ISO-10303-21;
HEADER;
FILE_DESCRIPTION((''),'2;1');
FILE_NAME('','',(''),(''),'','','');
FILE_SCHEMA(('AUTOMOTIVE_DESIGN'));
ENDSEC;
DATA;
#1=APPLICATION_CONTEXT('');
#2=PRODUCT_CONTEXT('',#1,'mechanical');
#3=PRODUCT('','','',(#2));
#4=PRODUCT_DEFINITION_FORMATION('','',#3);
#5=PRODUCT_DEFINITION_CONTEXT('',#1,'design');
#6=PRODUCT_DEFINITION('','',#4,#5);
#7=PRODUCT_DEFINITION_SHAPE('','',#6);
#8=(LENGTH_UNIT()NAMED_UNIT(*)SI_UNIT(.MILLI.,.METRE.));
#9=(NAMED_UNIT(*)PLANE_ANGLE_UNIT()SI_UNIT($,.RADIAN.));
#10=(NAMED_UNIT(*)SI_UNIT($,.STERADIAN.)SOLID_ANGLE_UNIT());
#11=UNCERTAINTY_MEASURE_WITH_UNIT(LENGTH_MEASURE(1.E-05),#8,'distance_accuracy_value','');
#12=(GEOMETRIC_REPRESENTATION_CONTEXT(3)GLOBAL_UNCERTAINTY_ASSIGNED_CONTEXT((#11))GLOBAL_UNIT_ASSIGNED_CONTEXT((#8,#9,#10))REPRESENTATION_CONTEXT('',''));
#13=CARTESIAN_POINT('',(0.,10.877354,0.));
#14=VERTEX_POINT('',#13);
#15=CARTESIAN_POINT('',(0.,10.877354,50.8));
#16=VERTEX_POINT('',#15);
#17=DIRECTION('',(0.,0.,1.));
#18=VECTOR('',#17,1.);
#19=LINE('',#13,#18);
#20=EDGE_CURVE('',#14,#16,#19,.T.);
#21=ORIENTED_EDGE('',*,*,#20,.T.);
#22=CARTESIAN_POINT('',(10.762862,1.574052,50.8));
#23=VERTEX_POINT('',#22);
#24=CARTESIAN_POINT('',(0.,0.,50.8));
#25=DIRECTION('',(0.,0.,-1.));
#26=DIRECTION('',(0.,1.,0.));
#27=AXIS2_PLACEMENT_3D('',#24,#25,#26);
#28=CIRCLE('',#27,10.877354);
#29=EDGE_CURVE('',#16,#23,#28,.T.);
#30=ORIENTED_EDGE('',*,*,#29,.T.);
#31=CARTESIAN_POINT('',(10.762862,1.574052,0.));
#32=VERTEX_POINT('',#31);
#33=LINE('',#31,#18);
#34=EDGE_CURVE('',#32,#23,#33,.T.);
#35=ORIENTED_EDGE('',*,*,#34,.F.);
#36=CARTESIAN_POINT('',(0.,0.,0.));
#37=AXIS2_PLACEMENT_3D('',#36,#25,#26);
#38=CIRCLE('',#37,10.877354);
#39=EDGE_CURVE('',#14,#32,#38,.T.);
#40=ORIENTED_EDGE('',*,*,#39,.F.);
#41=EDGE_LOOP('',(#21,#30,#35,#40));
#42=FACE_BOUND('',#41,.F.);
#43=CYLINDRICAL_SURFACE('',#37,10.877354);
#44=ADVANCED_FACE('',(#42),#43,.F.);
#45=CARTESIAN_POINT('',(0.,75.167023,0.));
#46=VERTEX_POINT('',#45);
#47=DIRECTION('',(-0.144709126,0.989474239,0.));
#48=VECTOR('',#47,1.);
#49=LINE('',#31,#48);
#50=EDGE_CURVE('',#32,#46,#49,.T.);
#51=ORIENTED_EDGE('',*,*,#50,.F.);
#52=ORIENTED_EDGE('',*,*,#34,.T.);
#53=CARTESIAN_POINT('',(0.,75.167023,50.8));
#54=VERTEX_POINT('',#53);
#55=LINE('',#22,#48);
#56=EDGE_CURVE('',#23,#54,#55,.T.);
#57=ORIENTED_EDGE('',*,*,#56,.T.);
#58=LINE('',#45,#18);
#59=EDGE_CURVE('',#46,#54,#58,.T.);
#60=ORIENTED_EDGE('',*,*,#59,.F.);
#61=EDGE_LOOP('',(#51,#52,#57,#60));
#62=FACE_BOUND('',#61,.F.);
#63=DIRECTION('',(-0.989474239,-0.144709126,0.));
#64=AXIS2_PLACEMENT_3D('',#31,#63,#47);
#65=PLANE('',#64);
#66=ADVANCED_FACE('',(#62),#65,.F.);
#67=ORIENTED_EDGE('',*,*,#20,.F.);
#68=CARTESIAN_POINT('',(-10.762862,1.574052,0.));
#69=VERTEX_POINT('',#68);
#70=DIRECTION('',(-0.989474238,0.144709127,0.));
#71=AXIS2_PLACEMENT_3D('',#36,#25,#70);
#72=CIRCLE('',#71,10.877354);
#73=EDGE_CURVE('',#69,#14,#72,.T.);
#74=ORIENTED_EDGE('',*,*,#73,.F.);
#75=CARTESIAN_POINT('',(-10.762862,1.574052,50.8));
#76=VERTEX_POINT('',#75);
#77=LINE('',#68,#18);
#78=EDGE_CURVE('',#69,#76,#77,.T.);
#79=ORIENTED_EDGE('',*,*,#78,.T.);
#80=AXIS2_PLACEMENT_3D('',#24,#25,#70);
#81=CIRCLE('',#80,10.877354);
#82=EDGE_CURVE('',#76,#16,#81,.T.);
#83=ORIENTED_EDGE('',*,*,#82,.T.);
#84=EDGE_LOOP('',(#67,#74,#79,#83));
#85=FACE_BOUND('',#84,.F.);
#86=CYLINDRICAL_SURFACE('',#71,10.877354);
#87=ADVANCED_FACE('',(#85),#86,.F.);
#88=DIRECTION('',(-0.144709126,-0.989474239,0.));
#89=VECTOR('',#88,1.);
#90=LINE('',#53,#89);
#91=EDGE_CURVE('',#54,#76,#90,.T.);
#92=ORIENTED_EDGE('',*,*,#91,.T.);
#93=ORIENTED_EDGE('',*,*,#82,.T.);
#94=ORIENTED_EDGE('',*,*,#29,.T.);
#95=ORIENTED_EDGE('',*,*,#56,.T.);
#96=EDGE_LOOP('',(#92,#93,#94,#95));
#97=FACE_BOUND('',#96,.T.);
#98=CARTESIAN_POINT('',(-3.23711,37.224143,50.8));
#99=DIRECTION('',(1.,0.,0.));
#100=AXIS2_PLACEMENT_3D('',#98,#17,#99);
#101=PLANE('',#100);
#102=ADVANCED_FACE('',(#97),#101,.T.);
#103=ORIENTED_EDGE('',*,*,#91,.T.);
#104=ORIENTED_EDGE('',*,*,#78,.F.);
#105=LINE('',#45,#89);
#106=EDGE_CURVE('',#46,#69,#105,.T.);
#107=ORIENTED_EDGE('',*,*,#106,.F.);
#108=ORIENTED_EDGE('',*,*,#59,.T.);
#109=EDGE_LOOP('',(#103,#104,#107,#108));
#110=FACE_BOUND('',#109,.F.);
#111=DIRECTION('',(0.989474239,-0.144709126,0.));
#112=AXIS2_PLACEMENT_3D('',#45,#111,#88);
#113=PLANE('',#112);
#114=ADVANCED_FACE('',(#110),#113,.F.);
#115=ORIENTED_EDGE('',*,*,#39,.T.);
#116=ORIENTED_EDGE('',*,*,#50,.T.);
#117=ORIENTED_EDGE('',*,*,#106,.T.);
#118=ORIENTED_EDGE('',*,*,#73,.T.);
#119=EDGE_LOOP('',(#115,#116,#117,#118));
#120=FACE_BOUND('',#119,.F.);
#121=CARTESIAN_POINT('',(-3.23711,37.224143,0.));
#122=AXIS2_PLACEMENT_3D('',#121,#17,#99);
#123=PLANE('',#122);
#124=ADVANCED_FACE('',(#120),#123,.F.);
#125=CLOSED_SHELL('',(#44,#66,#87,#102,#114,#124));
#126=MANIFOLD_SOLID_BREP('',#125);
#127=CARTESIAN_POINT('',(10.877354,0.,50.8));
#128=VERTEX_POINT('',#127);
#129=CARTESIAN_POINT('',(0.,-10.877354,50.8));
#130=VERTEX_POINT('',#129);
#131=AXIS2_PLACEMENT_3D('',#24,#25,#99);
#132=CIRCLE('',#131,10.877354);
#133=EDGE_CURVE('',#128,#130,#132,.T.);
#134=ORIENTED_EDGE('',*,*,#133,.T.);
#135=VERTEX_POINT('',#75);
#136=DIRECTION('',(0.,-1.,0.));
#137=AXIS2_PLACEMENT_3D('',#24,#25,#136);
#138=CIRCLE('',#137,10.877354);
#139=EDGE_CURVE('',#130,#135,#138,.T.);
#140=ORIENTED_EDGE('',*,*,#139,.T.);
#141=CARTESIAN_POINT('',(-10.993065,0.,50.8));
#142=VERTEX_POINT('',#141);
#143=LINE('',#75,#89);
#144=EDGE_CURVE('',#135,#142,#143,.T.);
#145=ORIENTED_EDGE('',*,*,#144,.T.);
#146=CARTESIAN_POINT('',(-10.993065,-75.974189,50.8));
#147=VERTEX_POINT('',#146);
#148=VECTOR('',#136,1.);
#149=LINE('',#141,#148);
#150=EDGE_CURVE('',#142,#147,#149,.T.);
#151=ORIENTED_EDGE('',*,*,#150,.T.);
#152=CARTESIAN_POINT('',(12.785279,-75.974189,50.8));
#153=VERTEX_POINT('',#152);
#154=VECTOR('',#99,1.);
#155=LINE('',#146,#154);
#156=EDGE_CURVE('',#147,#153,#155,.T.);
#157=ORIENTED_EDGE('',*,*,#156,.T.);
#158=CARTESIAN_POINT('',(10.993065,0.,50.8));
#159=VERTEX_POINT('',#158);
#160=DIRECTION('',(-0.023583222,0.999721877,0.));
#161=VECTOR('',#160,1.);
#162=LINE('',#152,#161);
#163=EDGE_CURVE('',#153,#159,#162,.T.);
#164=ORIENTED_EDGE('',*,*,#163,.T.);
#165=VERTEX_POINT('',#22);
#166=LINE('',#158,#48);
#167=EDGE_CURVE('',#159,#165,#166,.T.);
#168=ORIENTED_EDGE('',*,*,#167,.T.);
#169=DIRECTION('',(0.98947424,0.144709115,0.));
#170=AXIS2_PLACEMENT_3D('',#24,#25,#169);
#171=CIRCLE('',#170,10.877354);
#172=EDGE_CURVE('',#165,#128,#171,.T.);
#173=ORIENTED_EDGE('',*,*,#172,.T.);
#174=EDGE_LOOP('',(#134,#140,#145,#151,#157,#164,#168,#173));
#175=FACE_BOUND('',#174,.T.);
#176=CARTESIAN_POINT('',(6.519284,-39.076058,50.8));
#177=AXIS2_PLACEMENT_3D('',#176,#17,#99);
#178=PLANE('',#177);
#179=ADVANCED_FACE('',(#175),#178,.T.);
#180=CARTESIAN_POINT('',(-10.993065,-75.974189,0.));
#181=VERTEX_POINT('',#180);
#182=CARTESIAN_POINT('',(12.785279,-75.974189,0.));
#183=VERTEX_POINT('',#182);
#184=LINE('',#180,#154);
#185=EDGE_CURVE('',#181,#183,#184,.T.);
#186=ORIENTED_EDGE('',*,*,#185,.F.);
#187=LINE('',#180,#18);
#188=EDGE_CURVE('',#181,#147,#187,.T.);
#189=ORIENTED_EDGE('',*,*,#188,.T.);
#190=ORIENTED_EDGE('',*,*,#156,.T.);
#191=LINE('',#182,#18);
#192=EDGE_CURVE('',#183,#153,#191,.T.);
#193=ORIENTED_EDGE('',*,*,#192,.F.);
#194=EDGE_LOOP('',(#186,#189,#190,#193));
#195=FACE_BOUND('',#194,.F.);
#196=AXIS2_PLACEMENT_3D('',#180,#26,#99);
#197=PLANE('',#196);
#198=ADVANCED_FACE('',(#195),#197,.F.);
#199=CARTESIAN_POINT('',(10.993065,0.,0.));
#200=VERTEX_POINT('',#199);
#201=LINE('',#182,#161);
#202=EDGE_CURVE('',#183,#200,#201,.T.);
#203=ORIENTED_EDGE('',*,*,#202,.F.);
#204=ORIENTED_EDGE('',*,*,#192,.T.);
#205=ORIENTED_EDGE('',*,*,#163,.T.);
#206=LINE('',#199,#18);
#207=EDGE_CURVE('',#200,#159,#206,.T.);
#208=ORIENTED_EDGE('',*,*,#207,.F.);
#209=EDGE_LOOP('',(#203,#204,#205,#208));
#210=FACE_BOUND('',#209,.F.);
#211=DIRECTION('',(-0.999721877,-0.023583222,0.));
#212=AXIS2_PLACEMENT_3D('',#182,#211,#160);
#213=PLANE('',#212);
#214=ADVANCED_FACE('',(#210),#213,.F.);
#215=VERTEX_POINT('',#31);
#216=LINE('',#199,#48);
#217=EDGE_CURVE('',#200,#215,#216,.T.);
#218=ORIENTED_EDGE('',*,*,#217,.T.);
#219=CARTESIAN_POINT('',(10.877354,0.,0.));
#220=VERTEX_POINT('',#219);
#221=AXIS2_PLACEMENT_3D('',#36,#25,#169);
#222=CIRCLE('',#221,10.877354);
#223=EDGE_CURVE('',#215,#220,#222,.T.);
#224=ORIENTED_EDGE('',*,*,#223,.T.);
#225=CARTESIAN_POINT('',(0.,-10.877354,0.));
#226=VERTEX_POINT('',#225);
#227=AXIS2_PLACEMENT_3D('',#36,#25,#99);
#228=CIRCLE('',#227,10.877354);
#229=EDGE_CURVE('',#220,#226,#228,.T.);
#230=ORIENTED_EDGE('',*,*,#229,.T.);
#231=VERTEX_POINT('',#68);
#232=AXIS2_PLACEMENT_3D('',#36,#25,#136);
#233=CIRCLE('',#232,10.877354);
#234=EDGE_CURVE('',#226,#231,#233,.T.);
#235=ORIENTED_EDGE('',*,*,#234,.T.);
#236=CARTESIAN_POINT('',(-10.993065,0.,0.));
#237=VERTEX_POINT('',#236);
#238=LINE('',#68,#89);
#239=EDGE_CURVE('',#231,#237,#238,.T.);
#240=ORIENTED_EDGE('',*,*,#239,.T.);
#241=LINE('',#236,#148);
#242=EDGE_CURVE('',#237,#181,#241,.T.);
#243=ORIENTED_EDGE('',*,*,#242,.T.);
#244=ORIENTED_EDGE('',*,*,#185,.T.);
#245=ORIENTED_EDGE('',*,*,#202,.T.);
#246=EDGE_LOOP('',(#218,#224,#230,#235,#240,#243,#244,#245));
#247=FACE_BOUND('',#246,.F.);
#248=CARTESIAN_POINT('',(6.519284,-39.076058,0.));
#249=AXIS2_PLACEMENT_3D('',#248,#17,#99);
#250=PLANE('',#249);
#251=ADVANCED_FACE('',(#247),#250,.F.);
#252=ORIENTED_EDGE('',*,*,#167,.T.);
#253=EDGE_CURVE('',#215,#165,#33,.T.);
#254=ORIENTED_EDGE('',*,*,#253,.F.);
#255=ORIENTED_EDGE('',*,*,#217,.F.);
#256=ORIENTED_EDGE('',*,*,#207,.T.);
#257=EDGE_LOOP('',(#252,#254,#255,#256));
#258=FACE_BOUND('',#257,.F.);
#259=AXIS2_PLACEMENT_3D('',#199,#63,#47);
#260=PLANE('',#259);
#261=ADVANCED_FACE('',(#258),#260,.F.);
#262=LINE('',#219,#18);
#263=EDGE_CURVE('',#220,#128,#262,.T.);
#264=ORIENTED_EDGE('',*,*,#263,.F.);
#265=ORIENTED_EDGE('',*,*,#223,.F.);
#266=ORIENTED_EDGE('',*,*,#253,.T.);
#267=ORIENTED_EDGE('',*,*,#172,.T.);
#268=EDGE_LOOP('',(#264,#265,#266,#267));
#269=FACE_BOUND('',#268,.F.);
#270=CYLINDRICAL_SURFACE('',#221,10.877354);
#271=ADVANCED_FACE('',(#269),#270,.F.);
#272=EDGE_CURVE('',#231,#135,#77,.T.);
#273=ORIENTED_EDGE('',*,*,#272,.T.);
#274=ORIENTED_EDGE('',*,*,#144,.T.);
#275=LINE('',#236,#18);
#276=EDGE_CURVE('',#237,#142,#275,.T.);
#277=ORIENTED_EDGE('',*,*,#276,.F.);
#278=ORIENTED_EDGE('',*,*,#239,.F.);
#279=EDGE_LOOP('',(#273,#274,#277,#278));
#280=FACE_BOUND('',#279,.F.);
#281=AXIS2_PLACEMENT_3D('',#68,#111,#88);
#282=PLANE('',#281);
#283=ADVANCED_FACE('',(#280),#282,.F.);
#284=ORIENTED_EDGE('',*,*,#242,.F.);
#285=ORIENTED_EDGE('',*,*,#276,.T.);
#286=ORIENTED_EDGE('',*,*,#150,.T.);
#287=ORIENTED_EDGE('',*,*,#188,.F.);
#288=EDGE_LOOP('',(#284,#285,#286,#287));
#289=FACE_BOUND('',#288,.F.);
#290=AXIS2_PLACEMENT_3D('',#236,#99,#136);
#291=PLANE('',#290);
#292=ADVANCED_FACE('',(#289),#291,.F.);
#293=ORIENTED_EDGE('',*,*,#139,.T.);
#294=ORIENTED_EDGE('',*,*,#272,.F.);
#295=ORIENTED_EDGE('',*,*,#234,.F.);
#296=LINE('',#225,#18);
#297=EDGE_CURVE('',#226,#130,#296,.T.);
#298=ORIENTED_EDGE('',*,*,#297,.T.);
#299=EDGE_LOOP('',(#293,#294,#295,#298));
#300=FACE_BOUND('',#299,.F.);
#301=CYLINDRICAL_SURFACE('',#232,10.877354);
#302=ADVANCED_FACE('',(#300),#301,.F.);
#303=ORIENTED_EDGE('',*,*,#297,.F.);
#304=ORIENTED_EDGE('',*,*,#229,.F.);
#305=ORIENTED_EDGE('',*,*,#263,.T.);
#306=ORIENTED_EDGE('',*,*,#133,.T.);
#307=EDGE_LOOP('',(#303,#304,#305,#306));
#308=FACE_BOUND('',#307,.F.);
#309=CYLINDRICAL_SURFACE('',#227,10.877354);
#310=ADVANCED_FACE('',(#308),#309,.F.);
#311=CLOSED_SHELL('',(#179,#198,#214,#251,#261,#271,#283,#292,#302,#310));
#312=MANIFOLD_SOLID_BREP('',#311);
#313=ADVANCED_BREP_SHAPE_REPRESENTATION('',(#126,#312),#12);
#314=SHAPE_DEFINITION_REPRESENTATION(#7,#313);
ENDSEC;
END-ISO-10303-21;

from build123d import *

# Parameters (mm, degrees)
F1_DEPTH = 50.8


with BuildPart() as f1:
    # F0 (on Top) → F1 (new body)
    with BuildSketch(Plane.XY):
        with BuildLine():
            Line((0, 10.8773541651), (0, 75.1670226455))
            Line((0, 75.1670226455), (-10.7628617284, 1.5740524288))
            ThreePointArc((-10.7628617284, 1.5740524288), (-7.113202791, 8.229166403), (0, 10.8773541651))
        make_face()
        with BuildLine():
            Line((10.7628617474, 1.5740522994), (0, 75.1670226455))
            Line((0, 75.1670226455), (0, 10.8773541651))
            ThreePointArc((0, 10.8773541651), (7.1132028405, 8.2291663602), (10.7628617474, 1.5740522994))
        make_face()
    extrude(amount=F1_DEPTH)


with BuildPart() as f1b:
    # F0 (on Top) → F1, piece 2 (new body)
    with BuildSketch(Plane.XY):
        with BuildLine():
            Line((10.9930645398, 0), (10.7628617474, 1.5740522994))
            ThreePointArc((10.7628617474, 1.5740522994), (10.8486933013, 0.7891053724), (10.8773541651, 0))
            ThreePointArc((10.8773541651, 0), (7.6914508915, -7.6914508915), (0, -10.8773541651))
            Line((0, -10.8773541651), (0, -75.974188745))
            Line((0, -75.974188745), (3.0148467049, -75.974188745))
            Line((3.0148467049, -75.974188745), (12.785279192, -75.974188745))
            Line((12.785279192, -75.974188745), (10.9930645398, 0))
        make_face()
        with BuildLine():
            ThreePointArc((0, -10.8773541651), (-8.229166403, -7.113202791), (-10.7628617284, 1.5740524288))
            Line((-10.7628617284, 1.5740524288), (-10.9930645398, 0))
            Line((-10.9930645398, 0), (-10.9930645398, -75.974188745))
            Line((-10.9930645398, -75.974188745), (0, -75.974188745))
            Line((0, -75.974188745), (0, -10.8773541651))
        make_face()
    extrude(amount=F1_DEPTH)


solid = Compound([f1.part, f1b.part])
